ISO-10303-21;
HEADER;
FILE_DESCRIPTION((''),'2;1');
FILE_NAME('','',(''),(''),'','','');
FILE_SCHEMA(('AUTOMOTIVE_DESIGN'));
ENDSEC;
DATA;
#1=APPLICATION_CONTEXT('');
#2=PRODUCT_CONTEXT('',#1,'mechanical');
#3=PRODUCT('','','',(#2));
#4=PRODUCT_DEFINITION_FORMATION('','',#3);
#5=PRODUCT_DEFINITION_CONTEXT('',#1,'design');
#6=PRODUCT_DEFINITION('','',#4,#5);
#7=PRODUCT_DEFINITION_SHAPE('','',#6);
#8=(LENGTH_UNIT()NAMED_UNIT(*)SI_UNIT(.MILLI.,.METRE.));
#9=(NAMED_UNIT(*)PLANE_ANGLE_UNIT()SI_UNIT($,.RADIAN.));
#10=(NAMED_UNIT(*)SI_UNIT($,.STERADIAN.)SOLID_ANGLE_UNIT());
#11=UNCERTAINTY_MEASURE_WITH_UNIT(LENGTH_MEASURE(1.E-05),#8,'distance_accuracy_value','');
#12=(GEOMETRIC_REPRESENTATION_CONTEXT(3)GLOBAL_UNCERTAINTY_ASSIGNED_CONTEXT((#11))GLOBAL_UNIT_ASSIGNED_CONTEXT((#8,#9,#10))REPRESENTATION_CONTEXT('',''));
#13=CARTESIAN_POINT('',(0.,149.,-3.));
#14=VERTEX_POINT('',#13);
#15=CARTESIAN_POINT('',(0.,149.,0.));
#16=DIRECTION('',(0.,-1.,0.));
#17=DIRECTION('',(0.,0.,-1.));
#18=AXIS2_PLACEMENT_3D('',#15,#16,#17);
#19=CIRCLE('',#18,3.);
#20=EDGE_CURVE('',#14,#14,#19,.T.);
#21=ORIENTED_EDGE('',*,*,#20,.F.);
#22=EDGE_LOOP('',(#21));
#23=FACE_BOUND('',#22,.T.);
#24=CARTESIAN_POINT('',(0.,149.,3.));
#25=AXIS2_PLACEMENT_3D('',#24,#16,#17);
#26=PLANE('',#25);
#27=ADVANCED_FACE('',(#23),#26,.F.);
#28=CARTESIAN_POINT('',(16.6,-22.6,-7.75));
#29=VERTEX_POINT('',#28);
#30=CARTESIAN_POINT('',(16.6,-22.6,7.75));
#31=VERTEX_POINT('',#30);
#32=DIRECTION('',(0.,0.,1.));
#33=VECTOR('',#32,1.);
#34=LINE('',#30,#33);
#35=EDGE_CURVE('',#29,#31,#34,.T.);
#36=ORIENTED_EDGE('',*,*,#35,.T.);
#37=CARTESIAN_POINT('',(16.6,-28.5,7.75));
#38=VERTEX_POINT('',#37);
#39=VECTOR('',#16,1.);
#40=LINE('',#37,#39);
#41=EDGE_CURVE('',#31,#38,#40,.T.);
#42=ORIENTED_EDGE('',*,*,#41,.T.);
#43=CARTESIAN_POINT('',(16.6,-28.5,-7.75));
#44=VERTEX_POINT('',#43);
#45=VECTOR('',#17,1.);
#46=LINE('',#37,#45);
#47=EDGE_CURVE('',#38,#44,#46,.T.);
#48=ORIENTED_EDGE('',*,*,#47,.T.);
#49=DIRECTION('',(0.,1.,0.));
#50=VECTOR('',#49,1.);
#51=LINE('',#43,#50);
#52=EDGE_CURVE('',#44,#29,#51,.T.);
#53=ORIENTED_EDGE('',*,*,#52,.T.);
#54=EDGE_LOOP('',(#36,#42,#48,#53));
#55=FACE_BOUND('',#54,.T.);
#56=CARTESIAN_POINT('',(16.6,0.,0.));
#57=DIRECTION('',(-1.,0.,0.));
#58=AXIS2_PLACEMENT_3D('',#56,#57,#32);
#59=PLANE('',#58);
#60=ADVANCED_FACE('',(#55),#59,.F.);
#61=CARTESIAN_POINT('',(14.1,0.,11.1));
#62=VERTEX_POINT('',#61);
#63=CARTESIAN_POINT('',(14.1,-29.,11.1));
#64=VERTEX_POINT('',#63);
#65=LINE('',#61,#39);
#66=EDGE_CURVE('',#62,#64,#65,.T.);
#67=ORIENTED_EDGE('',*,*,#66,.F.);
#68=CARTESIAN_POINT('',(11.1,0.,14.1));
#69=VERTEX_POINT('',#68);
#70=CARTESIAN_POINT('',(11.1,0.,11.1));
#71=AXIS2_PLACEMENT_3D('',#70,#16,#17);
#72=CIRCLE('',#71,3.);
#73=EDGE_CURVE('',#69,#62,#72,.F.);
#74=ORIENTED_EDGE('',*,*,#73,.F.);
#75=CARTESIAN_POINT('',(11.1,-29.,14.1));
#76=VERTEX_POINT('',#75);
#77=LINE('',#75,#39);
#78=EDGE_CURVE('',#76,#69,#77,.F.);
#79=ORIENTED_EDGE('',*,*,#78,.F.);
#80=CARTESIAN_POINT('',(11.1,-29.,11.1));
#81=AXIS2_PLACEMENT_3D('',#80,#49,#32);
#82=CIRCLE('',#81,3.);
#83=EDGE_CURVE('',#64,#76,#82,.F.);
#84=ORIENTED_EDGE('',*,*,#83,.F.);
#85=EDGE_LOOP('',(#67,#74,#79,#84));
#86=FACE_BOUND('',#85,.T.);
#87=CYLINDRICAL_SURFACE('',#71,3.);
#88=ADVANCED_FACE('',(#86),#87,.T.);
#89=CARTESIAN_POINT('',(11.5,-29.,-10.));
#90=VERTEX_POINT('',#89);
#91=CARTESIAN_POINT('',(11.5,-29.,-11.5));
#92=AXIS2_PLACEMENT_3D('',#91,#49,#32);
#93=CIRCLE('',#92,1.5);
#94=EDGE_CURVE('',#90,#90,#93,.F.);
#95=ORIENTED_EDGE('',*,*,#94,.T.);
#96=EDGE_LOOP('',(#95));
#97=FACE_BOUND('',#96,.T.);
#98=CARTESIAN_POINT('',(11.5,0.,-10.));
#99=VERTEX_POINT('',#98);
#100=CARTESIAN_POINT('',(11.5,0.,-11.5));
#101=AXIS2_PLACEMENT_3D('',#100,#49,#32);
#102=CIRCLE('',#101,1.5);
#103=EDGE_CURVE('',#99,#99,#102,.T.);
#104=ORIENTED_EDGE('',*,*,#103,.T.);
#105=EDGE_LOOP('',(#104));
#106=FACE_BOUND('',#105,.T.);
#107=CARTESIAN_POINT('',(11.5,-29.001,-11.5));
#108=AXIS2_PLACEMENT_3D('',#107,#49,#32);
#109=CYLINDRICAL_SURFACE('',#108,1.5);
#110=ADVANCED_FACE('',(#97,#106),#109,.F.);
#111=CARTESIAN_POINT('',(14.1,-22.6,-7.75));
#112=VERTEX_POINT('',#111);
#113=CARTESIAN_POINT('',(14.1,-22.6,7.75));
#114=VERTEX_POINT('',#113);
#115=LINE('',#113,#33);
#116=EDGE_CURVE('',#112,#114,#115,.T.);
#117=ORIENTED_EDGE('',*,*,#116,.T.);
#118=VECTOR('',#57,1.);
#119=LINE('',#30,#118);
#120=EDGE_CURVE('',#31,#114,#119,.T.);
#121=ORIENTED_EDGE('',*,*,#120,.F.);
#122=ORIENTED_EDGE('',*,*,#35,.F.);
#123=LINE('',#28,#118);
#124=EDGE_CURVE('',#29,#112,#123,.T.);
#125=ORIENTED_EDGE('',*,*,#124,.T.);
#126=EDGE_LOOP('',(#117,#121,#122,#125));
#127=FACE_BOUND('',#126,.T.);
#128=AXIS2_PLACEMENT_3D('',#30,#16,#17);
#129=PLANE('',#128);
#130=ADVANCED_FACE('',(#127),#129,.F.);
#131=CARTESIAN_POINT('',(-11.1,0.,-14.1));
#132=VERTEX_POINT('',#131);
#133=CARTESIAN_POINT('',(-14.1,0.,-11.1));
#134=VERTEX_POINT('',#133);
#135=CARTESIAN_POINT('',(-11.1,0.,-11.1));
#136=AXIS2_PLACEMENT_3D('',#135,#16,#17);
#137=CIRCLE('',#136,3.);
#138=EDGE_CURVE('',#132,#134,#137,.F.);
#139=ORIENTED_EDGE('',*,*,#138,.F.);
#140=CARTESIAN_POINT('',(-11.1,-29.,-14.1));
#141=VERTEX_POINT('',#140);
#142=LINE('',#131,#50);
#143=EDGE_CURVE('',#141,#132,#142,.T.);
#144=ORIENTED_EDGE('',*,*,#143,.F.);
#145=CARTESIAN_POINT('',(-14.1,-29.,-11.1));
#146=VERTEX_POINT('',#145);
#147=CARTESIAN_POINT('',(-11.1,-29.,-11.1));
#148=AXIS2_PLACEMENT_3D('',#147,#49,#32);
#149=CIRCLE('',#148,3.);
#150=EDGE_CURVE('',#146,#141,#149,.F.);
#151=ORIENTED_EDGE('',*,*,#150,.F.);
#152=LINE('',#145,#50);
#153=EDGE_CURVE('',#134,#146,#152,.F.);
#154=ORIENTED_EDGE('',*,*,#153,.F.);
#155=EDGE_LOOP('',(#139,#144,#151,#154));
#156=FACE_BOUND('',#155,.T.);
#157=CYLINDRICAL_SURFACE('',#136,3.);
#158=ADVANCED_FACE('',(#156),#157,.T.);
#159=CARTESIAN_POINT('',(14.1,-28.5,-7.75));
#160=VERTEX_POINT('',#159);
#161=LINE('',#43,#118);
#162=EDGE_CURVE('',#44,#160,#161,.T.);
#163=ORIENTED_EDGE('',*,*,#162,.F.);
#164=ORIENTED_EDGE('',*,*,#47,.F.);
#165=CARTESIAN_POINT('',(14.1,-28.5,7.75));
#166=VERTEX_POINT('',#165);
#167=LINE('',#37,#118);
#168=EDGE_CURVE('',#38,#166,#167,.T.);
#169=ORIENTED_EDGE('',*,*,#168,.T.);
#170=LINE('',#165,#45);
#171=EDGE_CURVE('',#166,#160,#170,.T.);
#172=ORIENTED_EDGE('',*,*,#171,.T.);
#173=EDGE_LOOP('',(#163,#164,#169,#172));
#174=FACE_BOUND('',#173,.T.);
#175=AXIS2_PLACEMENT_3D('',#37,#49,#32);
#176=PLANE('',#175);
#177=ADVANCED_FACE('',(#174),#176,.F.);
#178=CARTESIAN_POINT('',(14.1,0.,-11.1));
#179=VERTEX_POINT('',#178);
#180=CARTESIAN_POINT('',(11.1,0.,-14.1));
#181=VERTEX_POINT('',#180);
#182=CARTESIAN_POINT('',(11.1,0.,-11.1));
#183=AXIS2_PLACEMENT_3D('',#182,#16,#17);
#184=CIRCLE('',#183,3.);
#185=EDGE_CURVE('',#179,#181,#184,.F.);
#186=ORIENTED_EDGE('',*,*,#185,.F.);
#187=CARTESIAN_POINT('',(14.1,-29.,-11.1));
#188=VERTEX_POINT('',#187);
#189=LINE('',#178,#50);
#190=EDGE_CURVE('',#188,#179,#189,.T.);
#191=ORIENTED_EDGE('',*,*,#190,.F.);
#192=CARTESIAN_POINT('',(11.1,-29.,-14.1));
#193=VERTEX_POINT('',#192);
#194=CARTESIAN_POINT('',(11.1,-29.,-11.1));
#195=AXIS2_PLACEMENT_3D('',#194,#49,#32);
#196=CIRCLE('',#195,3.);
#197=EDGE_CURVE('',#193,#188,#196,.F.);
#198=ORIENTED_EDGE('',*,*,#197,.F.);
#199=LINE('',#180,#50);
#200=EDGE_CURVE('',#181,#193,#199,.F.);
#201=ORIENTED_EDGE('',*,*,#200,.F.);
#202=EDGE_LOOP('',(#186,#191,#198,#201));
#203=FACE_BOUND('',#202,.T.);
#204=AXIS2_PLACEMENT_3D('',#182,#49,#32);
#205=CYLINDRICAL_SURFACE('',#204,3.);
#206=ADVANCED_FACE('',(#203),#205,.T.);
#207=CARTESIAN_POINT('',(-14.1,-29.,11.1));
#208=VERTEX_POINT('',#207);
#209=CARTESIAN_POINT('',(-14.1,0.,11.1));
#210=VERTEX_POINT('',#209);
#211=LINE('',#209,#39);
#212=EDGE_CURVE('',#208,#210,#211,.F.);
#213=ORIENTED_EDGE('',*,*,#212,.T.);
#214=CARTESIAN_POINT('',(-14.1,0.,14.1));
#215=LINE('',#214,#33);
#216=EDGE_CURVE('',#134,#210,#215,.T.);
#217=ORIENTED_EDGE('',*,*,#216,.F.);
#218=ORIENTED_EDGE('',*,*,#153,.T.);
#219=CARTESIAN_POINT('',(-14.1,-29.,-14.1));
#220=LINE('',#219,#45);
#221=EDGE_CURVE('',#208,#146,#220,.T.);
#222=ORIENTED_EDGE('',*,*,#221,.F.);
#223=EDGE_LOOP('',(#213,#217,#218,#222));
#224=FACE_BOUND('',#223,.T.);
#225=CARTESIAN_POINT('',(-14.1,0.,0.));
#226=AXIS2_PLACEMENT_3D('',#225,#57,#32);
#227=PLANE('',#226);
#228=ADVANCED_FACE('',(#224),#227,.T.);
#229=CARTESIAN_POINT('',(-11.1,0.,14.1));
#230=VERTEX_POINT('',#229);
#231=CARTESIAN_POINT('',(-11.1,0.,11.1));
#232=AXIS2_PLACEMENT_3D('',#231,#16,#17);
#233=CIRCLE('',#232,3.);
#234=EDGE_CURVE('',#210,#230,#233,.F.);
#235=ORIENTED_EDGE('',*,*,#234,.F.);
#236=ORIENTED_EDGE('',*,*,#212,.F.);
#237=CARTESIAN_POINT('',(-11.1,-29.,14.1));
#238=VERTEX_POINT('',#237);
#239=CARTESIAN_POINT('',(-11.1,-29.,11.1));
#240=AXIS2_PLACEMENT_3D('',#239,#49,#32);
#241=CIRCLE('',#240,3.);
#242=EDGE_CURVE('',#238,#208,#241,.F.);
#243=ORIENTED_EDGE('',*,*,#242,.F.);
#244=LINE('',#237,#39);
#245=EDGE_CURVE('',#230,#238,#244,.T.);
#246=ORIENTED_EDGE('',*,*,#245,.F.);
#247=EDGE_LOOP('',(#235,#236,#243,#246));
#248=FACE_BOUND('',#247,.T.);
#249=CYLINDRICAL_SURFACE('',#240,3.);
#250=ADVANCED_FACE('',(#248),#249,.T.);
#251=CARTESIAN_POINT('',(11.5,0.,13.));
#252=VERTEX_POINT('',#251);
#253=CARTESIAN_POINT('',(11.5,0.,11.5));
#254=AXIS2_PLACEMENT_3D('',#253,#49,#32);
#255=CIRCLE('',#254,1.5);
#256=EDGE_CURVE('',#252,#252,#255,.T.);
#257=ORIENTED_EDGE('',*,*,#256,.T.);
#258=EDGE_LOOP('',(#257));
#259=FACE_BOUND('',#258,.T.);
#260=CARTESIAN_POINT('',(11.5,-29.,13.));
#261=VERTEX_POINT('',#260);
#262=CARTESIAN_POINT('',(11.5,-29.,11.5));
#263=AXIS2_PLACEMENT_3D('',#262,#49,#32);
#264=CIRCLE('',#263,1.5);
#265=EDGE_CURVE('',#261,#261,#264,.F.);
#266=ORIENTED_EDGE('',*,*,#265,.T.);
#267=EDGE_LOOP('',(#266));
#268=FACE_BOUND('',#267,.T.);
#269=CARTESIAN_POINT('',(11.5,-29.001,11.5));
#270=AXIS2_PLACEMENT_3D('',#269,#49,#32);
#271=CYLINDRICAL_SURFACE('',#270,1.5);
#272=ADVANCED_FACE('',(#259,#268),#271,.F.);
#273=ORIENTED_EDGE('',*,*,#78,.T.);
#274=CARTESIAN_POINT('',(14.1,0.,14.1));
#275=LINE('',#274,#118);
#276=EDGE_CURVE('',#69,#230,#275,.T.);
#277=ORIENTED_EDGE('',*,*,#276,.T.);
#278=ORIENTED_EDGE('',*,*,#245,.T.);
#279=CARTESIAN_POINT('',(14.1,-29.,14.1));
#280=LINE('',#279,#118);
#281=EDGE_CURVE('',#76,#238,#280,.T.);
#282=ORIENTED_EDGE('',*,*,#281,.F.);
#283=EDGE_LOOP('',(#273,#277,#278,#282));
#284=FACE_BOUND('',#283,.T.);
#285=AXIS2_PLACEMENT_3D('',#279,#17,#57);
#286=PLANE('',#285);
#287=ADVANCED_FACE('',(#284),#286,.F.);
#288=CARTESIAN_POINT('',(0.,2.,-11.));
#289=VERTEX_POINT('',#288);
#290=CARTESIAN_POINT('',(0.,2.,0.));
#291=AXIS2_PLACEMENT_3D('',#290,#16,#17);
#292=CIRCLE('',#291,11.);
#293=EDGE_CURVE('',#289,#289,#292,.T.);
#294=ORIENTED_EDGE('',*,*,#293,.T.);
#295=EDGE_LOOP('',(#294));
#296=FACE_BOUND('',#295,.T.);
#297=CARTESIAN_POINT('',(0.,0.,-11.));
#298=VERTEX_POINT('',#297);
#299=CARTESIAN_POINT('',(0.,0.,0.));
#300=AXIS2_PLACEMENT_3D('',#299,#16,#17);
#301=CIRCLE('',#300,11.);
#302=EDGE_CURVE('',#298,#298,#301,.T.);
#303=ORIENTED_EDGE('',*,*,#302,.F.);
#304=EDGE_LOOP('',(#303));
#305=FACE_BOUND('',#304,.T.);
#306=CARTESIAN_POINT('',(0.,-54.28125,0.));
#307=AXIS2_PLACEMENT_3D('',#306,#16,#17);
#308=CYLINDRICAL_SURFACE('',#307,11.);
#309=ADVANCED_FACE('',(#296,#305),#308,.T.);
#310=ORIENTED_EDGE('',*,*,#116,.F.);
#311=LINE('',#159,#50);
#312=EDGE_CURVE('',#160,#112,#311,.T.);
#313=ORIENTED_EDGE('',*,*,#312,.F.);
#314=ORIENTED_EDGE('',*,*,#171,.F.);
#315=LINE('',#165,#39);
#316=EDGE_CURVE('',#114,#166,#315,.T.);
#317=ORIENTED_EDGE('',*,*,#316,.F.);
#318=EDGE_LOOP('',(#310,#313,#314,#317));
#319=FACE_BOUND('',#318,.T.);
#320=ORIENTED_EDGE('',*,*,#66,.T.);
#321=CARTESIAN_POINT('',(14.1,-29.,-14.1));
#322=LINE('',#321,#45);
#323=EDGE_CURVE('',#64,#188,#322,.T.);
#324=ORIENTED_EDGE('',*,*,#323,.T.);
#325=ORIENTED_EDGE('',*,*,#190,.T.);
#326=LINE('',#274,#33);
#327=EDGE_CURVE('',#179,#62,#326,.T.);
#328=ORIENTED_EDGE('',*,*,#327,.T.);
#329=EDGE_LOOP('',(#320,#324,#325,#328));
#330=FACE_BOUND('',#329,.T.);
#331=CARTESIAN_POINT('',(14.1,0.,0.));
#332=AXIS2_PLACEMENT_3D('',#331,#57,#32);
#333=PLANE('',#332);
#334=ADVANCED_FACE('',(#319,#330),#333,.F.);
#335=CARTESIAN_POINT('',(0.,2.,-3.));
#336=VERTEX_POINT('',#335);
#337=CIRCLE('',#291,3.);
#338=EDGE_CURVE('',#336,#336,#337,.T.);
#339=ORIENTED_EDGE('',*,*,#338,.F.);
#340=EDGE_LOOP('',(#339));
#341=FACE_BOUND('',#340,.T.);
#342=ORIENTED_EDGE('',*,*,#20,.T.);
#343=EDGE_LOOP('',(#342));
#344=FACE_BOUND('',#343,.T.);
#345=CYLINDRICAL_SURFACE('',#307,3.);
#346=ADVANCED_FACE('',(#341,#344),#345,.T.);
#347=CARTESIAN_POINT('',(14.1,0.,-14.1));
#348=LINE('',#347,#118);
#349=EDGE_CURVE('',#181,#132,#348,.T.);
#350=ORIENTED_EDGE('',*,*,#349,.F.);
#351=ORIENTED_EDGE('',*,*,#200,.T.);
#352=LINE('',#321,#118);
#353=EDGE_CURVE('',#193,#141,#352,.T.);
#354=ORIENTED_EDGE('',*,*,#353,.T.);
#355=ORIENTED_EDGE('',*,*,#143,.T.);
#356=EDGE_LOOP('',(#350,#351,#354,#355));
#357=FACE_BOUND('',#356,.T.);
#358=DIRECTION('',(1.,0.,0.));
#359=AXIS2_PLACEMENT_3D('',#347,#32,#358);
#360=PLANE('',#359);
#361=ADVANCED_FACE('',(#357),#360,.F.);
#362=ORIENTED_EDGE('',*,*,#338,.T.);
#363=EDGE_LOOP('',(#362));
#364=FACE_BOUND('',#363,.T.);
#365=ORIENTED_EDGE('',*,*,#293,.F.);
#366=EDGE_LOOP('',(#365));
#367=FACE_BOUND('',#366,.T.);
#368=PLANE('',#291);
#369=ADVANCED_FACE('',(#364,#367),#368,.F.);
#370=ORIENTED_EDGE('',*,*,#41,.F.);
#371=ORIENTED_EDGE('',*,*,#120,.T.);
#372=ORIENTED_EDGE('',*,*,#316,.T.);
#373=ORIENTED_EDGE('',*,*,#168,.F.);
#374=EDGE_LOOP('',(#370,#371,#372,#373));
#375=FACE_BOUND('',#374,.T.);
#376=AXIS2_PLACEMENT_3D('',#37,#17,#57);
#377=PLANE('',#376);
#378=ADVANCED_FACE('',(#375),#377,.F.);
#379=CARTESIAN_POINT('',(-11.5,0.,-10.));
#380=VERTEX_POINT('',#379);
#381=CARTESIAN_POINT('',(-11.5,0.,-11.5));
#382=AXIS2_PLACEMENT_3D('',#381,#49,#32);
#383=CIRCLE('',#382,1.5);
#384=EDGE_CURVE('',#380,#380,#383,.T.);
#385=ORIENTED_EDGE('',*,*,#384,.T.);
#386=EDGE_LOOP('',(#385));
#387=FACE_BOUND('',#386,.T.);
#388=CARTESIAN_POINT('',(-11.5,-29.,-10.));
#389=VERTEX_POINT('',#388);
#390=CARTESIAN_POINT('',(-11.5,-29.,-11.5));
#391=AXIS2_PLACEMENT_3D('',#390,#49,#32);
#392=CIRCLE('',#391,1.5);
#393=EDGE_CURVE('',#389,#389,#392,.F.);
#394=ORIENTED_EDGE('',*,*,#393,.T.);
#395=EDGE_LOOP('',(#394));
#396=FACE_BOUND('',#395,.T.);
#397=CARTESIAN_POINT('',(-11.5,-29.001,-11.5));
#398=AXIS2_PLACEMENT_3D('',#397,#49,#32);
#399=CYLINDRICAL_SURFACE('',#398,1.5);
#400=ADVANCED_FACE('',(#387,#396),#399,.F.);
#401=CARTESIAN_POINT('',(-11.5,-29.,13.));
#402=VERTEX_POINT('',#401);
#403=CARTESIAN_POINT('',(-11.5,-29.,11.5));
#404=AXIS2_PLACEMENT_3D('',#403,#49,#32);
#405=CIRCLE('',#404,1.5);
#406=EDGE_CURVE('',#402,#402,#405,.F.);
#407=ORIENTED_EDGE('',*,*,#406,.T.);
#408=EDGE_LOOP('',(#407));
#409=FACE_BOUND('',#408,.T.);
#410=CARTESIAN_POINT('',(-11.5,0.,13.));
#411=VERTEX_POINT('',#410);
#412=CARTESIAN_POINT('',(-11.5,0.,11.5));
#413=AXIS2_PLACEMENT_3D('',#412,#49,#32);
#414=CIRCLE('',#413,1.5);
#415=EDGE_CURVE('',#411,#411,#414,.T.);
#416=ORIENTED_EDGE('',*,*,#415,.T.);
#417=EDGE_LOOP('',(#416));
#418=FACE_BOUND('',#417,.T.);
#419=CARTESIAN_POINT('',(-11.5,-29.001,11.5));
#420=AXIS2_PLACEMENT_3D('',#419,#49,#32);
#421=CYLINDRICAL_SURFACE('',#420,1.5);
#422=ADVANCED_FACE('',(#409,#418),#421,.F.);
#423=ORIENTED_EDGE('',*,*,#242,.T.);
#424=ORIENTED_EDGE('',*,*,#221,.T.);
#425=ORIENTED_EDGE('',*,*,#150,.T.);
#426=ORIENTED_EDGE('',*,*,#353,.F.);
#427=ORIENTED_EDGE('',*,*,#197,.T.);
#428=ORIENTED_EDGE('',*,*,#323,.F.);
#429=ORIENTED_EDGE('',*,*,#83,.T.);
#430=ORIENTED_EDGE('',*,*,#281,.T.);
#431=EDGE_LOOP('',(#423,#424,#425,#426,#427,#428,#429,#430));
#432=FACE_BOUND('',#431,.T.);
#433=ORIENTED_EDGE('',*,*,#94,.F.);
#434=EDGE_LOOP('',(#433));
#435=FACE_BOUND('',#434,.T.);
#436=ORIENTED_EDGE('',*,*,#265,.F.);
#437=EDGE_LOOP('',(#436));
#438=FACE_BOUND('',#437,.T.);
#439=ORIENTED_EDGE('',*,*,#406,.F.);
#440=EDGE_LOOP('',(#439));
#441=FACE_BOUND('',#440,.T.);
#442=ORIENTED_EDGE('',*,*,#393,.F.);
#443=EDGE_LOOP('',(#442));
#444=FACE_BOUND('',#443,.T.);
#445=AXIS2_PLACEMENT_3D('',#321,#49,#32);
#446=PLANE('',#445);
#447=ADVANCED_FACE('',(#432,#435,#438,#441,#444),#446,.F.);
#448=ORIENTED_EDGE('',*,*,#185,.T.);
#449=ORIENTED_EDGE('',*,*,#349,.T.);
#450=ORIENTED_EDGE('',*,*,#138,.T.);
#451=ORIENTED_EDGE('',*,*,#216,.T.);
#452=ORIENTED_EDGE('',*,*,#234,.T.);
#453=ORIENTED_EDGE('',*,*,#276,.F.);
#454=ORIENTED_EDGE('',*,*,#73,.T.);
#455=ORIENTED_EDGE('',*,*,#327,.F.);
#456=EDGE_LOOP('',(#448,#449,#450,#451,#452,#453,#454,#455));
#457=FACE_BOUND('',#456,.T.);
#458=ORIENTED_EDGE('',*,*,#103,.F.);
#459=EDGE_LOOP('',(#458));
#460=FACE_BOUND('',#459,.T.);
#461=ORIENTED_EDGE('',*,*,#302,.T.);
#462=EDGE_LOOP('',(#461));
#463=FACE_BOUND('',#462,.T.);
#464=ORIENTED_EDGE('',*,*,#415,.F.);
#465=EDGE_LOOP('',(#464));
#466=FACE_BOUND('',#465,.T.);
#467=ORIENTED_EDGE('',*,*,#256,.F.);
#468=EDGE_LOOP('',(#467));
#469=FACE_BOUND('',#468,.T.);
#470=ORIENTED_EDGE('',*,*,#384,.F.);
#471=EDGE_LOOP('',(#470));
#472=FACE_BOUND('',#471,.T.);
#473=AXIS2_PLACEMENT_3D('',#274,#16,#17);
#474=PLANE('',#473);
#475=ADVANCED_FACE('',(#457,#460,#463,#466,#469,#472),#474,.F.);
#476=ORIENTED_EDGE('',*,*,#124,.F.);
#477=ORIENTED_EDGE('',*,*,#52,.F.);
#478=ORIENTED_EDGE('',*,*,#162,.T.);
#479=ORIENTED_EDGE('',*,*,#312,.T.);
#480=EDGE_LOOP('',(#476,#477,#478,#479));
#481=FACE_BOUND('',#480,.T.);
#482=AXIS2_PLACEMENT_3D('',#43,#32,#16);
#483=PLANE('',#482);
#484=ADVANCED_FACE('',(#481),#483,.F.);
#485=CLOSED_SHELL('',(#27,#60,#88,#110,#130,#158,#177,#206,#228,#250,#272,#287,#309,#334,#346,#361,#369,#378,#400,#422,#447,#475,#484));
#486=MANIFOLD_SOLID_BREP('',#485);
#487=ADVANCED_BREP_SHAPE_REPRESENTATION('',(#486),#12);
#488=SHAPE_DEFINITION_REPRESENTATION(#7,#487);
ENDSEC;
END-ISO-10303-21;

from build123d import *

# Parameters (mm, degrees)
SKETCH2_W           = 11
SKETCH2_H           = 2
SKETCH3_W           = 28.2
SKETCH3_H           = 29
BOSS_EXTRUDE1_DEPTH = 14.1
FILLET1_R           = 3
SKETCH5_W           = 15.5
SKETCH5_H           = 5.9
BOSS_EXTRUDE2_DEPTH = 2.5
SKETCH1_W           = 3
SKETCH1_H           = 147
CUT_EXTRUDE1_REACH  = 152.583
SKETCH7_R           = 1.5


with BuildPart() as part:
    # Sketch2 → Revolve2 (revolve)
    with BuildSketch(Plane(origin=(0, 0, 0), x_dir=(0, 0, -1), z_dir=(1, 0, 0)), mode=Mode.PRIVATE) as revolve2_sk:
        with Locations((-5.5, 1)):
            Rectangle(SKETCH2_W, SKETCH2_H)
    revolve(revolve2_sk.sketch.rotate(Axis((0, -54.281249734, 0), (0, 1, 0)), 180), axis=Axis((0, -54.281249734, 0), (0, 1, 0)))

    # Sketch3 → Boss-Extrude1 (add, symmetric)
    with BuildSketch(Plane(origin=(0, 0, 0), x_dir=(0, 0, -1), z_dir=(1, 0, 0))):
        with Locations((0, -14.5)):
            Rectangle(SKETCH3_W, SKETCH3_H)
    extrude(amount=BOSS_EXTRUDE1_DEPTH, both=True)

    # Fillet1
    fillet1_edges = [part.edges().sort_by_distance(p)[0] for p in [
        (-14.1, -14.5, -14.1),
        (14.1, -14.5, 14.1),
        (14.1, -14.5, -14.1),
        (-14.1, -14.5, 14.1),
    ]]
    fillet(fillet1_edges, radius=FILLET1_R)

    # Sketch5 → Boss-Extrude2 (add)
    with BuildSketch(Plane(origin=(14.1, 0, 0), x_dir=(0, 0, -1), z_dir=(1, 0, 0))):
        with Locations((0, -25.55)):
            Rectangle(SKETCH5_W, SKETCH5_H)
    extrude(amount=BOSS_EXTRUDE2_DEPTH)

    # Sketch1 → Revolve3 (revolve)
    with BuildSketch(Plane(origin=(0, 0, 0), x_dir=(0, 0, -1), z_dir=(1, 0, 0)), mode=Mode.PRIVATE) as revolve3_sk:
        with Locations((-1.5, 75.5)):
            Rectangle(SKETCH1_W, SKETCH1_H)
    revolve(revolve3_sk.sketch.rotate(Axis((0, -54.281249734, 0), (0, 1, 0)), 180), axis=Axis((0, -54.281249734, 0), (0, 1, 0)))

    # Sketch7 → Cut-Extrude1 (cut, up to next)
    with BuildSketch(Plane(origin=(0, 0, 0), x_dir=(1, 0, 0), z_dir=(0, 1, 0)), mode=Mode.PRIVATE) as cut_extrude1_sk1:
        with Locations(Location((-11.5, 11.5, 0), (0, 0, 270))):
            Circle(SKETCH7_R)
    cut_extrude1_tool1 = extrude(cut_extrude1_sk1.sketch, amount=-CUT_EXTRUDE1_REACH, mode=Mode.PRIVATE) & part.part
    # Sketch7 → Cut-Extrude1 (cut, up to next)
    with BuildSketch(Plane(origin=(0, 0, 0), x_dir=(1, 0, 0), z_dir=(0, 1, 0)), mode=Mode.PRIVATE) as cut_extrude1_sk2:
        with Locations(Location((-11.5, -11.5, 0), (0, 0, 270))):
            Circle(SKETCH7_R)
    cut_extrude1_tool2 = extrude(cut_extrude1_sk2.sketch, amount=-CUT_EXTRUDE1_REACH, mode=Mode.PRIVATE) & part.part
    # Sketch7 → Cut-Extrude1 (cut, up to next)
    with BuildSketch(Plane(origin=(0, 0, 0), x_dir=(1, 0, 0), z_dir=(0, 1, 0)), mode=Mode.PRIVATE) as cut_extrude1_sk3:
        with Locations(Location((11.5, -11.5, 0), (0, 0, 270))):
            Circle(SKETCH7_R)
    cut_extrude1_tool3 = extrude(cut_extrude1_sk3.sketch, amount=-CUT_EXTRUDE1_REACH, mode=Mode.PRIVATE) & part.part
    # Sketch7 → Cut-Extrude1 (cut, up to next)
    with BuildSketch(Plane(origin=(0, 0, 0), x_dir=(1, 0, 0), z_dir=(0, 1, 0)), mode=Mode.PRIVATE) as cut_extrude1_sk4:
        with Locations(Location((11.5, 11.5, 0), (0, 0, 270))):
            Circle(SKETCH7_R)
    cut_extrude1_tool4 = extrude(cut_extrude1_sk4.sketch, amount=-CUT_EXTRUDE1_REACH, mode=Mode.PRIVATE) & part.part
    add(cut_extrude1_tool1.solids().sort_by_distance((-11.5, 0, -11.5))[0], mode=Mode.SUBTRACT)
    add(cut_extrude1_tool2.solids().sort_by_distance((-11.5, 0, 11.5))[0], mode=Mode.SUBTRACT)
    add(cut_extrude1_tool3.solids().sort_by_distance((11.5, 0, 11.5))[0], mode=Mode.SUBTRACT)
    add(cut_extrude1_tool4.solids().sort_by_distance((11.5, 0, -11.5))[0], mode=Mode.SUBTRACT)


solid = part.part
